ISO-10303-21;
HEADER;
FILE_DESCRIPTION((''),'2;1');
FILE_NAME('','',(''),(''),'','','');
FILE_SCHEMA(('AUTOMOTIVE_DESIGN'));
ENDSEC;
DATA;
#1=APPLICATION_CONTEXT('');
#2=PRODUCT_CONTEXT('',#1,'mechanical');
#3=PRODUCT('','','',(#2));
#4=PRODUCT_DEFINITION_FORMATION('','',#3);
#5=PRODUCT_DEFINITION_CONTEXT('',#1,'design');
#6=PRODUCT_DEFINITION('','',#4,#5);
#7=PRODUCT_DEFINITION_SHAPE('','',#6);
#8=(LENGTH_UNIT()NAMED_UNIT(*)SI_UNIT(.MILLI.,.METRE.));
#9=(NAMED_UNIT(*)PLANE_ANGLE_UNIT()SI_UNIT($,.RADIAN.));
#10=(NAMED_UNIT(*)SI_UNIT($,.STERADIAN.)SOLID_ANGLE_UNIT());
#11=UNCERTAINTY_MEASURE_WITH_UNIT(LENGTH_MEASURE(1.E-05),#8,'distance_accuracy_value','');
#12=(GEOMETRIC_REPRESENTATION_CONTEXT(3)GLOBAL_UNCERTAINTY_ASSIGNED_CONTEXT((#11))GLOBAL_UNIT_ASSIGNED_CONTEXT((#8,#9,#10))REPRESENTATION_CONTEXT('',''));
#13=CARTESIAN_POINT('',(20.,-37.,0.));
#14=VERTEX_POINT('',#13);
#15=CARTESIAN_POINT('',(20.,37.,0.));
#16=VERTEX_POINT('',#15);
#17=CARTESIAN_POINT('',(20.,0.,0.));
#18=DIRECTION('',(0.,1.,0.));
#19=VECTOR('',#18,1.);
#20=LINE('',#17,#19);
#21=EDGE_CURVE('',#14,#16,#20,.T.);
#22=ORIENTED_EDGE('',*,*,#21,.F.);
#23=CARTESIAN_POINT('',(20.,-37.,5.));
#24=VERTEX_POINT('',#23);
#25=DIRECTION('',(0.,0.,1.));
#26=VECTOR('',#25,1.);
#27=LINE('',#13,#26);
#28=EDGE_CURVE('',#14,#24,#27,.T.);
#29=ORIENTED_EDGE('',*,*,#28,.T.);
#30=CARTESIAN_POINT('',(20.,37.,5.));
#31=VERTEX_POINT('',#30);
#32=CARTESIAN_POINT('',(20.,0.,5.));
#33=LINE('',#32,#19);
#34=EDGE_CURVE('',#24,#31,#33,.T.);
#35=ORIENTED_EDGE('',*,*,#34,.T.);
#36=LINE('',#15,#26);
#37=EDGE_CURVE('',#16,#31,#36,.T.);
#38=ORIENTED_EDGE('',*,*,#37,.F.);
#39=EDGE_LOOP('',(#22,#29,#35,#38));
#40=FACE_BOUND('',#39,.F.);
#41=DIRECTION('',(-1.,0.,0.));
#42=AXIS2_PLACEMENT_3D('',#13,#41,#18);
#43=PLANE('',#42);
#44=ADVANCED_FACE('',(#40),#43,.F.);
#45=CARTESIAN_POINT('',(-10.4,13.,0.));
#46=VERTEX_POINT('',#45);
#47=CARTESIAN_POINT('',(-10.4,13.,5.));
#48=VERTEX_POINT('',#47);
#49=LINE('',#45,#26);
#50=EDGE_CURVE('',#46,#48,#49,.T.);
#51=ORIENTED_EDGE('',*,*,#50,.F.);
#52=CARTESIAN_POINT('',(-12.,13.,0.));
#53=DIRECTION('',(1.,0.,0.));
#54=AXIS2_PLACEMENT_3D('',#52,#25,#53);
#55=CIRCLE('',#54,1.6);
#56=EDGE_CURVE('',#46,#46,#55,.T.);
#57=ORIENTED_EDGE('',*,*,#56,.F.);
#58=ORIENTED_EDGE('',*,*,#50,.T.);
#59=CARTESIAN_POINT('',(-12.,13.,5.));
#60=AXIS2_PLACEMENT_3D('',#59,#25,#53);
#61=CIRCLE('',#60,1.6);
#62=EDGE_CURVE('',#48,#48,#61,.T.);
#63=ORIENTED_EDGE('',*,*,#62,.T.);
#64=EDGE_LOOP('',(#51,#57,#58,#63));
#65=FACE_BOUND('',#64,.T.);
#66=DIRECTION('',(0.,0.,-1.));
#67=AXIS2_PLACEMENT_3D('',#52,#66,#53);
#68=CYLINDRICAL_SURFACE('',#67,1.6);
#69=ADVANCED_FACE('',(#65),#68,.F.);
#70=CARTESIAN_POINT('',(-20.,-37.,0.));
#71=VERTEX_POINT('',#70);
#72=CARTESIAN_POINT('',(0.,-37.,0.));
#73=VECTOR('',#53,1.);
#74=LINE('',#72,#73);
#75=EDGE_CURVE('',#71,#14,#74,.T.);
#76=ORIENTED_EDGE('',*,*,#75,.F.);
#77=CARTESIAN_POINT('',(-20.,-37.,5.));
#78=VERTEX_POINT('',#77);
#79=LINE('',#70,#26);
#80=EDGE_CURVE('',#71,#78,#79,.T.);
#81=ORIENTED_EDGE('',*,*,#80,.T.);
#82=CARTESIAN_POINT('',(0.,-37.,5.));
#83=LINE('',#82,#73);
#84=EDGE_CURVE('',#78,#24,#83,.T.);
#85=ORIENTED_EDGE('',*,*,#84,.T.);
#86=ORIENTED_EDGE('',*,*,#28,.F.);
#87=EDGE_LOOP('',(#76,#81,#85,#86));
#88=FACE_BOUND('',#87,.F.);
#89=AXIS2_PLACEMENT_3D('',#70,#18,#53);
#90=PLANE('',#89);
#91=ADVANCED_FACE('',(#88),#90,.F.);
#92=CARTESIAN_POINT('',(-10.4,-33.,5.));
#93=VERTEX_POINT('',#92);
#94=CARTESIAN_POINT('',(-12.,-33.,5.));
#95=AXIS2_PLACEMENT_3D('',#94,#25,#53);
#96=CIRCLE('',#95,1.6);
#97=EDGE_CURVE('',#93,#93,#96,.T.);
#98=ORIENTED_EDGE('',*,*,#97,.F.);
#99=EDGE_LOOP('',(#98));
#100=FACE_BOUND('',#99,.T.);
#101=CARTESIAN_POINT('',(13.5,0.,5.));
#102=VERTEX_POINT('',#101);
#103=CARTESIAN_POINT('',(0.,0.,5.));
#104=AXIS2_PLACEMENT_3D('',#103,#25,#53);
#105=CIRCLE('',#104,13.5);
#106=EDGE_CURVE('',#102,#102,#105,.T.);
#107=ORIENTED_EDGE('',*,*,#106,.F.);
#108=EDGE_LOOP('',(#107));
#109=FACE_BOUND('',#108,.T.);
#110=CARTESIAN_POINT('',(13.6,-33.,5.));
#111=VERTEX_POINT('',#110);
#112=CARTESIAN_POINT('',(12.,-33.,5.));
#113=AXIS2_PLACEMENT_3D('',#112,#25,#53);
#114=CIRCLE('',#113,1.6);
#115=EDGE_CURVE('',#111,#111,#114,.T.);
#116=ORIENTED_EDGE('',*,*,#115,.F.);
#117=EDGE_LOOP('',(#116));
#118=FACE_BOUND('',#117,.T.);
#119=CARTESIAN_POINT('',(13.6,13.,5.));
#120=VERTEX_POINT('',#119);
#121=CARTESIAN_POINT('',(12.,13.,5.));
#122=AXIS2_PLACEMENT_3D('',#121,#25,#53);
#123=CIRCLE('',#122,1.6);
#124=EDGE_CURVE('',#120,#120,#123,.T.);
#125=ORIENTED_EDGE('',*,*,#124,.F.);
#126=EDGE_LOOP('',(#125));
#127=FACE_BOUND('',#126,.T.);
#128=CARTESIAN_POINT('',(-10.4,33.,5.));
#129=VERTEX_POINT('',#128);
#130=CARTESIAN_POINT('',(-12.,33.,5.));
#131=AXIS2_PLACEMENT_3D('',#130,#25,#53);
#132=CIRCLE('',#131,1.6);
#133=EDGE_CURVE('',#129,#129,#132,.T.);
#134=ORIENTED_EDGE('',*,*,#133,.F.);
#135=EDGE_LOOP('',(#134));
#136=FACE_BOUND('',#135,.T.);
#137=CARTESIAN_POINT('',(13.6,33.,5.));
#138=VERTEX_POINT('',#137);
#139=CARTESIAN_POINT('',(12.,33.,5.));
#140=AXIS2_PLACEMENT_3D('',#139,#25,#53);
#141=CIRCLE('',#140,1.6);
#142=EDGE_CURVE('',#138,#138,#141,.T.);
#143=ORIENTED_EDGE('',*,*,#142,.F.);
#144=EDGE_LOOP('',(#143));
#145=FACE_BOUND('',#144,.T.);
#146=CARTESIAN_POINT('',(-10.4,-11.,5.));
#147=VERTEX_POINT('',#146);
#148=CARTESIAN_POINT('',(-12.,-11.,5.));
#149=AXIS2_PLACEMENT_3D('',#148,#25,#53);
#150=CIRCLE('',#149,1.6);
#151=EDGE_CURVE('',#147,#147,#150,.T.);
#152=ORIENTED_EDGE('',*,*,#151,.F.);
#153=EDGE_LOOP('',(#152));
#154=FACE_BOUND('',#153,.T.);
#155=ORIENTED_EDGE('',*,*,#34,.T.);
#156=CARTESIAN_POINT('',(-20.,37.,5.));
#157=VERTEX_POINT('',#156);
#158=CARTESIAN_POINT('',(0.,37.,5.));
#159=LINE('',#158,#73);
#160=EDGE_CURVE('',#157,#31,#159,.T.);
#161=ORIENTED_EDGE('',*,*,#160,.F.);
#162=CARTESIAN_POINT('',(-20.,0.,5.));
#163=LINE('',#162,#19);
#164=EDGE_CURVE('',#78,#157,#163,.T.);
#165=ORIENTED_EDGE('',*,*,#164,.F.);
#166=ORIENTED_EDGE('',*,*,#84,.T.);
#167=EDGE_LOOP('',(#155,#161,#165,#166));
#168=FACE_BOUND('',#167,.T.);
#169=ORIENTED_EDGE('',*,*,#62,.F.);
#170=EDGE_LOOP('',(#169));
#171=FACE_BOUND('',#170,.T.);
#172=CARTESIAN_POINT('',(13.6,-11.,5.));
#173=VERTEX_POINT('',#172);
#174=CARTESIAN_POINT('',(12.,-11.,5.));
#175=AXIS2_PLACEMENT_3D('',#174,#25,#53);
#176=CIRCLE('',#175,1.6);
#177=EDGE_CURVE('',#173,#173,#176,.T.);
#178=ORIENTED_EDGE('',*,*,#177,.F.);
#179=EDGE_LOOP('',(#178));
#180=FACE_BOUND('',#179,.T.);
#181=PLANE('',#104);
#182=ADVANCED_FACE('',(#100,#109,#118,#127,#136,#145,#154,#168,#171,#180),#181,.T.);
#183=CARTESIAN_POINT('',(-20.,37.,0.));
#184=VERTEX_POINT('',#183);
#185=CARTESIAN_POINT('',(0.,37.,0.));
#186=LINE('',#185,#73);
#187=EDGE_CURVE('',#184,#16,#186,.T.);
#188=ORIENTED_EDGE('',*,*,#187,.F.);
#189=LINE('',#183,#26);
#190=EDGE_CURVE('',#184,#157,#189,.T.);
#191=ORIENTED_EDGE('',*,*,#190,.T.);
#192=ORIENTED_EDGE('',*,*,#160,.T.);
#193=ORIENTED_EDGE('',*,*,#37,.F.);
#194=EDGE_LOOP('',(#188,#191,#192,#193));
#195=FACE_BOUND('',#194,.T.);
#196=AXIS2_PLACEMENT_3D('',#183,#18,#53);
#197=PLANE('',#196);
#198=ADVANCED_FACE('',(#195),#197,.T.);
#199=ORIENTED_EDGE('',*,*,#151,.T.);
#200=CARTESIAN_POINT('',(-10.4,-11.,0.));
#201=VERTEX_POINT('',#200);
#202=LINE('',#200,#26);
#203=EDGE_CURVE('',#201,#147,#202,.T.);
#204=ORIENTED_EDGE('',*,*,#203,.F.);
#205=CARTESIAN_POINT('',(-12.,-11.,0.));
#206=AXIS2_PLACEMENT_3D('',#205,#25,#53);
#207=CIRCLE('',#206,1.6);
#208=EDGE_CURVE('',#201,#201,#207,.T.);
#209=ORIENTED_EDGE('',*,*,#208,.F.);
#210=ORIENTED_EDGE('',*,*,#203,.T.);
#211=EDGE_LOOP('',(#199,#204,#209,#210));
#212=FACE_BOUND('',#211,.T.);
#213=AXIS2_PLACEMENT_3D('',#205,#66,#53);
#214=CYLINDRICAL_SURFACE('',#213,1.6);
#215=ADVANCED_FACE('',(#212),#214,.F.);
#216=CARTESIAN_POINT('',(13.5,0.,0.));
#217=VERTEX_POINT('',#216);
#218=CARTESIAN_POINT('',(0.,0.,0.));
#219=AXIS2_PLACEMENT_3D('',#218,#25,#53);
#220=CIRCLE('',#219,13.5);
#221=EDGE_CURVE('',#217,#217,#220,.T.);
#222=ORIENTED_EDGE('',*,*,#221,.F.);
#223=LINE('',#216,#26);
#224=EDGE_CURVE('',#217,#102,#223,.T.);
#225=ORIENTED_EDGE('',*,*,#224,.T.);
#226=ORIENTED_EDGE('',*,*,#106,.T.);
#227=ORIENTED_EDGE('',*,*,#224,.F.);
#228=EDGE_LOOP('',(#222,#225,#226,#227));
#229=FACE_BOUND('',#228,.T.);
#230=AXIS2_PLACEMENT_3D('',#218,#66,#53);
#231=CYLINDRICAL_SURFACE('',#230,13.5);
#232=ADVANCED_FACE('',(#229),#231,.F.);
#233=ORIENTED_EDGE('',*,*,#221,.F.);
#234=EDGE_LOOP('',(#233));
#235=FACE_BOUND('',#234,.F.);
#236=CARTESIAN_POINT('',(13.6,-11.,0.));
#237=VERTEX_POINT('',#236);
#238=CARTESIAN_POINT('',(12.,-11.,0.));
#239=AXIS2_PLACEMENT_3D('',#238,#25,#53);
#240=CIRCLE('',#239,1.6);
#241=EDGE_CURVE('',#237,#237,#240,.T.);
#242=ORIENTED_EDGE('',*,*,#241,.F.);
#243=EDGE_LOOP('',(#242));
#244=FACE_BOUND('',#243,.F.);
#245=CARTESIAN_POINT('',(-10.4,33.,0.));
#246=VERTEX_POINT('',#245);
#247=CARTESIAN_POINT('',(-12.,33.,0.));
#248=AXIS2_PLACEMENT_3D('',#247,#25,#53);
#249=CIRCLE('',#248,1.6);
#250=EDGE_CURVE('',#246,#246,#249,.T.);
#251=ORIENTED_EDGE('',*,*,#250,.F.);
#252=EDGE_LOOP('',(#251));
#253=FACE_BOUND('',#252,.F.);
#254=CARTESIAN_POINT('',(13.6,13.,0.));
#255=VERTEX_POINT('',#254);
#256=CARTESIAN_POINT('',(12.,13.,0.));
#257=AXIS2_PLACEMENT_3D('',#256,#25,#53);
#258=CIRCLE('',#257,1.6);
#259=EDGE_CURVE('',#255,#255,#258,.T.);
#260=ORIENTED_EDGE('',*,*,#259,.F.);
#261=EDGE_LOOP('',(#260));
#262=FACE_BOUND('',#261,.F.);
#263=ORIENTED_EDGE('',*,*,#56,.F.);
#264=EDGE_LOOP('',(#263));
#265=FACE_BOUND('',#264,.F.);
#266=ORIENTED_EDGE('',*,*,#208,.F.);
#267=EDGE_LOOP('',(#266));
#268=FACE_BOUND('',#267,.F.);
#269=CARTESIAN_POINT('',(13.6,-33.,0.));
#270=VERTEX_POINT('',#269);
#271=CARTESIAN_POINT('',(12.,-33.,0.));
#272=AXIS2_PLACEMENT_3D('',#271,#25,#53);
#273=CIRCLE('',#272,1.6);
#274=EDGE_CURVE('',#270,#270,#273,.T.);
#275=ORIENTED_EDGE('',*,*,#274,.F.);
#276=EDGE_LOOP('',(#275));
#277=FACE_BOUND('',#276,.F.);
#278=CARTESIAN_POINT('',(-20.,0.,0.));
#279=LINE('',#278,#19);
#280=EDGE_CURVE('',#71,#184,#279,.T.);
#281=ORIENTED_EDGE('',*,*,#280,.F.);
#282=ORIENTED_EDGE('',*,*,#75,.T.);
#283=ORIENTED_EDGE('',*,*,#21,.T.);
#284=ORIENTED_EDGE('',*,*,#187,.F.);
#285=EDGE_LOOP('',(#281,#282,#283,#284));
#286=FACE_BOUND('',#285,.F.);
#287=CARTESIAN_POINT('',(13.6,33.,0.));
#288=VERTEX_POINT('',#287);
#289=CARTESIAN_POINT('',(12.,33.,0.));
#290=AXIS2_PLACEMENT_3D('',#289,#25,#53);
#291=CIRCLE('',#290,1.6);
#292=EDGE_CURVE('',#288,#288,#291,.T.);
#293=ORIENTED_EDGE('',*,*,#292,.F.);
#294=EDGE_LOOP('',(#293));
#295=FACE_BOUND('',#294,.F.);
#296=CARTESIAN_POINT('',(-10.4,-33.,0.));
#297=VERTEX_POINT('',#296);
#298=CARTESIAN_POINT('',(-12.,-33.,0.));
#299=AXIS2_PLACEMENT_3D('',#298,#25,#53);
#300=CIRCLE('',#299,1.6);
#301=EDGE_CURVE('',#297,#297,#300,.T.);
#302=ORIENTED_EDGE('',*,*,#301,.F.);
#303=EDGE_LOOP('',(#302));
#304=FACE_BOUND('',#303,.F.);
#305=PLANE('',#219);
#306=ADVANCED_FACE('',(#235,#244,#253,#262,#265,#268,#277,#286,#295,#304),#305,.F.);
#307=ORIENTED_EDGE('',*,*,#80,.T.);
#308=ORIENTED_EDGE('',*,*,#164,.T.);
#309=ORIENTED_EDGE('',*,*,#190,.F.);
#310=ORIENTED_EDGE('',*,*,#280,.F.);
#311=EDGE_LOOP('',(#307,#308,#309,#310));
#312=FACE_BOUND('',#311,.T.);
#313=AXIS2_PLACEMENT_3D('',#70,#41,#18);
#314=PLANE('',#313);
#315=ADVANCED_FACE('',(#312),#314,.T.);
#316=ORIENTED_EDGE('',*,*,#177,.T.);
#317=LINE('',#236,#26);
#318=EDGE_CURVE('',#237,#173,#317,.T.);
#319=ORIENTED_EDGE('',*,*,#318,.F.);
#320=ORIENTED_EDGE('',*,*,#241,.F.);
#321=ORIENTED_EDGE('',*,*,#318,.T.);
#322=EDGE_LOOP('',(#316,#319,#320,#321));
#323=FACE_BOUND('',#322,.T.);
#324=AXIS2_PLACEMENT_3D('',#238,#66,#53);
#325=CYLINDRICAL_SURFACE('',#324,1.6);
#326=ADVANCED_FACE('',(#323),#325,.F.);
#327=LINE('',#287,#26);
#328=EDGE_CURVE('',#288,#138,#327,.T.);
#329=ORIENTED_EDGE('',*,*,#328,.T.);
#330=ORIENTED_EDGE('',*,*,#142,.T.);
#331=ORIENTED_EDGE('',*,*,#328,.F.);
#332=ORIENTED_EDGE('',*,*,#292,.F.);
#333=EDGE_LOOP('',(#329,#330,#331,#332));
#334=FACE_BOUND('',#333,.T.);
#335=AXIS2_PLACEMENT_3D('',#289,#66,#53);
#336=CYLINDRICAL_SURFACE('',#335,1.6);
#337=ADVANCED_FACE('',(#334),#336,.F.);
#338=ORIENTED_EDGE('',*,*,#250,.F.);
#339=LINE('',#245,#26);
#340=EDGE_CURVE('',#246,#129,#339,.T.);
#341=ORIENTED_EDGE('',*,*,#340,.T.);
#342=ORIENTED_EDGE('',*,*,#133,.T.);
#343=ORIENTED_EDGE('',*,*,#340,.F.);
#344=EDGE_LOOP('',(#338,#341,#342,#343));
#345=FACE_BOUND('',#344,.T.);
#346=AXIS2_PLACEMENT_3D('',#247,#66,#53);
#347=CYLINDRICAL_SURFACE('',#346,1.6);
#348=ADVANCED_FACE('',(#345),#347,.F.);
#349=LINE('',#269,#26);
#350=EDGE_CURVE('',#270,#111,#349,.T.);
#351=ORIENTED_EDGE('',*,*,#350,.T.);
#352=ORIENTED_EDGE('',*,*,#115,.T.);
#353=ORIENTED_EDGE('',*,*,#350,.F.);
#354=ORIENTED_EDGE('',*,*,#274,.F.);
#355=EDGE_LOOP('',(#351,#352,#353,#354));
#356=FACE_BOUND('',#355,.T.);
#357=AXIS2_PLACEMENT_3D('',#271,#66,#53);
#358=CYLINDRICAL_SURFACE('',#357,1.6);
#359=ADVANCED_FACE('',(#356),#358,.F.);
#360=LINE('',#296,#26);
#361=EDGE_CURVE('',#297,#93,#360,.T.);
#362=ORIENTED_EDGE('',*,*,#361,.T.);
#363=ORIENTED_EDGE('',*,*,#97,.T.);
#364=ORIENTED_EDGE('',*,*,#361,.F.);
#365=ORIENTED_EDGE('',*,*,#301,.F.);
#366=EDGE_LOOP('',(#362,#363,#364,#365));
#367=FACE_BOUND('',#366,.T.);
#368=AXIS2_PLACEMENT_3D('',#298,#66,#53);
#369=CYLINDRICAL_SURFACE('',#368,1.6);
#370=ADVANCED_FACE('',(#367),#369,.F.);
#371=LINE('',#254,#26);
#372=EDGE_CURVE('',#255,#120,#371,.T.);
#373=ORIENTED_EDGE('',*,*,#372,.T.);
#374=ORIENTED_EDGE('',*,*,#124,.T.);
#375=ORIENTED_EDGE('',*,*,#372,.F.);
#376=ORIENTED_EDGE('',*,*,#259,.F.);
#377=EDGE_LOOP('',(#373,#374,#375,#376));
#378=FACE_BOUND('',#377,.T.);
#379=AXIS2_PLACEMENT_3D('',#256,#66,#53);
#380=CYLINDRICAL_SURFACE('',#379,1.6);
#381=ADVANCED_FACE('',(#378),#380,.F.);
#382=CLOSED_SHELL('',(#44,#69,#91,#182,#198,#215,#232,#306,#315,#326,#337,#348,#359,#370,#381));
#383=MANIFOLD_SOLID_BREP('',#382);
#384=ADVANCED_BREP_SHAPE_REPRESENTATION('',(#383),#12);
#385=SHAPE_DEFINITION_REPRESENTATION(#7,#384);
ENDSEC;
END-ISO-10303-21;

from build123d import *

# Parameters (mm, degrees)
F0_W     = 40
F0_H     = 74
F0_R     = 1.6
F0_R_2   = 13.5
F1_DEPTH = 5


with BuildPart() as f1:
    # F0 (on Top) → F1 (new body)
    with BuildSketch(Plane.XY):
        Rectangle(F0_W, F0_H)
        with Locations((-12, -33)):
            Circle(F0_R, mode=Mode.SUBTRACT)
        with Locations((-12, -11)):
            Circle(F0_R, mode=Mode.SUBTRACT)
        with Locations((12, -33)):
            Circle(F0_R, mode=Mode.SUBTRACT)
        with Locations((12, -11)):
            Circle(F0_R, mode=Mode.SUBTRACT)
        with Locations((-12, 13)):
            Circle(F0_R, mode=Mode.SUBTRACT)
        with Locations((-12, 33)):
            Circle(F0_R, mode=Mode.SUBTRACT)
        Circle(F0_R_2, mode=Mode.SUBTRACT)
        with Locations((12, 13)):
            Circle(F0_R, mode=Mode.SUBTRACT)
        with Locations((12, 33)):
            Circle(F0_R, mode=Mode.SUBTRACT)
    extrude(amount=F1_DEPTH)


solid = f1.part
